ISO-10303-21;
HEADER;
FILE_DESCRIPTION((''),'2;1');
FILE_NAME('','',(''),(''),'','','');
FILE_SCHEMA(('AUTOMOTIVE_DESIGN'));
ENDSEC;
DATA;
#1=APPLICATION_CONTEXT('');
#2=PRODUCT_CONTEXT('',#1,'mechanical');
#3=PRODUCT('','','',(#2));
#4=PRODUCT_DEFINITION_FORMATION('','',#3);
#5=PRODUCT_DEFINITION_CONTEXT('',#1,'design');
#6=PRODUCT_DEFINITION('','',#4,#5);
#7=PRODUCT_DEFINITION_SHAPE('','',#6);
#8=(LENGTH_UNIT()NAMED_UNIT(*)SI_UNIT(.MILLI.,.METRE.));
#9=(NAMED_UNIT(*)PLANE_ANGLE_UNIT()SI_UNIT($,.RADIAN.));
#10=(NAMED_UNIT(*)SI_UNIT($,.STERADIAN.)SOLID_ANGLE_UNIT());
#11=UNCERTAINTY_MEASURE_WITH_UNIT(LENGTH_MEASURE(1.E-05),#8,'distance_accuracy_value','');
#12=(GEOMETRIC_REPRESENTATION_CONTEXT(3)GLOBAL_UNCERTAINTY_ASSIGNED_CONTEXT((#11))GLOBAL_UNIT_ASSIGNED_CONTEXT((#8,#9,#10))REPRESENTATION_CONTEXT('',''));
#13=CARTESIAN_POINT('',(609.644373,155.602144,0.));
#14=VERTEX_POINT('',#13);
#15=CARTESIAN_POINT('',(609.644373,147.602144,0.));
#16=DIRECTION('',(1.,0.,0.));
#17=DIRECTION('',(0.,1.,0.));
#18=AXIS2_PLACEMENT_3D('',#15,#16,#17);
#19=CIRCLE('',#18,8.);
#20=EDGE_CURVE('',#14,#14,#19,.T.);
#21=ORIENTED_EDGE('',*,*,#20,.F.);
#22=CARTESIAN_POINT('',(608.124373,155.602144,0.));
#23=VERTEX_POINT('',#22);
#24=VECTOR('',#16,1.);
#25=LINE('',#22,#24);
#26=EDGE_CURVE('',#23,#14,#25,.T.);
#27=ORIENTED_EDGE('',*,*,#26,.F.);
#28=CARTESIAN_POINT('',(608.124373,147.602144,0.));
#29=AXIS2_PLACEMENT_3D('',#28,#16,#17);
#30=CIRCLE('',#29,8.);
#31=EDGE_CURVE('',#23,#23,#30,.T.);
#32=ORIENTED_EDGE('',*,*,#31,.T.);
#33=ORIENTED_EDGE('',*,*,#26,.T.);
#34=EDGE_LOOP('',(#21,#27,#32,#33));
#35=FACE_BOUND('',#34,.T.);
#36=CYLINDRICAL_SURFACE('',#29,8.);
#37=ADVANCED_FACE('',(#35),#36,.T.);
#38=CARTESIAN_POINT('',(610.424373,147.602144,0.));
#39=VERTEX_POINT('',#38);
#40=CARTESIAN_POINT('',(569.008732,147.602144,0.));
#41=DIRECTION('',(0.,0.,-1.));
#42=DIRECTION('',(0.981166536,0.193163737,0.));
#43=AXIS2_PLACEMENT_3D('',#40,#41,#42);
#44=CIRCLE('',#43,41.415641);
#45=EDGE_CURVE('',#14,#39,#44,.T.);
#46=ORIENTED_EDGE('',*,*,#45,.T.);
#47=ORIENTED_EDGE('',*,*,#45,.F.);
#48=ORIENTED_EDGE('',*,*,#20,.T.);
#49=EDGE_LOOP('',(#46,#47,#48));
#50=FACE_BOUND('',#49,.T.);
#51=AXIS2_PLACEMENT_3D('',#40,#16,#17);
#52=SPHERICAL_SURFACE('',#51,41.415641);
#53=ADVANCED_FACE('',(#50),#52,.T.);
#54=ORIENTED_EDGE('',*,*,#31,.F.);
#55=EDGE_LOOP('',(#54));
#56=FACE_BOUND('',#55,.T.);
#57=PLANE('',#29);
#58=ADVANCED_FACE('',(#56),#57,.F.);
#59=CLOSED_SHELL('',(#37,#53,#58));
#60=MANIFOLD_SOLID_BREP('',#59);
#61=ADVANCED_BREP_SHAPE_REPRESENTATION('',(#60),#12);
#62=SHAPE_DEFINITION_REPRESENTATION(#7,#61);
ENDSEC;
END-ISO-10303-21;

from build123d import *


with BuildPart() as part:
    # 草图1 → 旋转3 (revolve)
    with BuildSketch(Plane.XY):
        with BuildLine():
            Line((610.424373484, 147.602144211), (608.124373484, 147.602144211))
            Line((608.124373484, 147.602144211), (608.124373484, 155.602144211))
            Line((608.124373484, 155.602144211), (609.644373484, 155.602144211))
            ThreePointArc((609.644373484, 155.602144211), (610.228912244, 151.62111174), (610.424373484, 147.602144211))
        make_face()
    revolve(axis=Axis((606.201556779, 147.602144211, 0), (1, 0, 0)))


solid = part.part
